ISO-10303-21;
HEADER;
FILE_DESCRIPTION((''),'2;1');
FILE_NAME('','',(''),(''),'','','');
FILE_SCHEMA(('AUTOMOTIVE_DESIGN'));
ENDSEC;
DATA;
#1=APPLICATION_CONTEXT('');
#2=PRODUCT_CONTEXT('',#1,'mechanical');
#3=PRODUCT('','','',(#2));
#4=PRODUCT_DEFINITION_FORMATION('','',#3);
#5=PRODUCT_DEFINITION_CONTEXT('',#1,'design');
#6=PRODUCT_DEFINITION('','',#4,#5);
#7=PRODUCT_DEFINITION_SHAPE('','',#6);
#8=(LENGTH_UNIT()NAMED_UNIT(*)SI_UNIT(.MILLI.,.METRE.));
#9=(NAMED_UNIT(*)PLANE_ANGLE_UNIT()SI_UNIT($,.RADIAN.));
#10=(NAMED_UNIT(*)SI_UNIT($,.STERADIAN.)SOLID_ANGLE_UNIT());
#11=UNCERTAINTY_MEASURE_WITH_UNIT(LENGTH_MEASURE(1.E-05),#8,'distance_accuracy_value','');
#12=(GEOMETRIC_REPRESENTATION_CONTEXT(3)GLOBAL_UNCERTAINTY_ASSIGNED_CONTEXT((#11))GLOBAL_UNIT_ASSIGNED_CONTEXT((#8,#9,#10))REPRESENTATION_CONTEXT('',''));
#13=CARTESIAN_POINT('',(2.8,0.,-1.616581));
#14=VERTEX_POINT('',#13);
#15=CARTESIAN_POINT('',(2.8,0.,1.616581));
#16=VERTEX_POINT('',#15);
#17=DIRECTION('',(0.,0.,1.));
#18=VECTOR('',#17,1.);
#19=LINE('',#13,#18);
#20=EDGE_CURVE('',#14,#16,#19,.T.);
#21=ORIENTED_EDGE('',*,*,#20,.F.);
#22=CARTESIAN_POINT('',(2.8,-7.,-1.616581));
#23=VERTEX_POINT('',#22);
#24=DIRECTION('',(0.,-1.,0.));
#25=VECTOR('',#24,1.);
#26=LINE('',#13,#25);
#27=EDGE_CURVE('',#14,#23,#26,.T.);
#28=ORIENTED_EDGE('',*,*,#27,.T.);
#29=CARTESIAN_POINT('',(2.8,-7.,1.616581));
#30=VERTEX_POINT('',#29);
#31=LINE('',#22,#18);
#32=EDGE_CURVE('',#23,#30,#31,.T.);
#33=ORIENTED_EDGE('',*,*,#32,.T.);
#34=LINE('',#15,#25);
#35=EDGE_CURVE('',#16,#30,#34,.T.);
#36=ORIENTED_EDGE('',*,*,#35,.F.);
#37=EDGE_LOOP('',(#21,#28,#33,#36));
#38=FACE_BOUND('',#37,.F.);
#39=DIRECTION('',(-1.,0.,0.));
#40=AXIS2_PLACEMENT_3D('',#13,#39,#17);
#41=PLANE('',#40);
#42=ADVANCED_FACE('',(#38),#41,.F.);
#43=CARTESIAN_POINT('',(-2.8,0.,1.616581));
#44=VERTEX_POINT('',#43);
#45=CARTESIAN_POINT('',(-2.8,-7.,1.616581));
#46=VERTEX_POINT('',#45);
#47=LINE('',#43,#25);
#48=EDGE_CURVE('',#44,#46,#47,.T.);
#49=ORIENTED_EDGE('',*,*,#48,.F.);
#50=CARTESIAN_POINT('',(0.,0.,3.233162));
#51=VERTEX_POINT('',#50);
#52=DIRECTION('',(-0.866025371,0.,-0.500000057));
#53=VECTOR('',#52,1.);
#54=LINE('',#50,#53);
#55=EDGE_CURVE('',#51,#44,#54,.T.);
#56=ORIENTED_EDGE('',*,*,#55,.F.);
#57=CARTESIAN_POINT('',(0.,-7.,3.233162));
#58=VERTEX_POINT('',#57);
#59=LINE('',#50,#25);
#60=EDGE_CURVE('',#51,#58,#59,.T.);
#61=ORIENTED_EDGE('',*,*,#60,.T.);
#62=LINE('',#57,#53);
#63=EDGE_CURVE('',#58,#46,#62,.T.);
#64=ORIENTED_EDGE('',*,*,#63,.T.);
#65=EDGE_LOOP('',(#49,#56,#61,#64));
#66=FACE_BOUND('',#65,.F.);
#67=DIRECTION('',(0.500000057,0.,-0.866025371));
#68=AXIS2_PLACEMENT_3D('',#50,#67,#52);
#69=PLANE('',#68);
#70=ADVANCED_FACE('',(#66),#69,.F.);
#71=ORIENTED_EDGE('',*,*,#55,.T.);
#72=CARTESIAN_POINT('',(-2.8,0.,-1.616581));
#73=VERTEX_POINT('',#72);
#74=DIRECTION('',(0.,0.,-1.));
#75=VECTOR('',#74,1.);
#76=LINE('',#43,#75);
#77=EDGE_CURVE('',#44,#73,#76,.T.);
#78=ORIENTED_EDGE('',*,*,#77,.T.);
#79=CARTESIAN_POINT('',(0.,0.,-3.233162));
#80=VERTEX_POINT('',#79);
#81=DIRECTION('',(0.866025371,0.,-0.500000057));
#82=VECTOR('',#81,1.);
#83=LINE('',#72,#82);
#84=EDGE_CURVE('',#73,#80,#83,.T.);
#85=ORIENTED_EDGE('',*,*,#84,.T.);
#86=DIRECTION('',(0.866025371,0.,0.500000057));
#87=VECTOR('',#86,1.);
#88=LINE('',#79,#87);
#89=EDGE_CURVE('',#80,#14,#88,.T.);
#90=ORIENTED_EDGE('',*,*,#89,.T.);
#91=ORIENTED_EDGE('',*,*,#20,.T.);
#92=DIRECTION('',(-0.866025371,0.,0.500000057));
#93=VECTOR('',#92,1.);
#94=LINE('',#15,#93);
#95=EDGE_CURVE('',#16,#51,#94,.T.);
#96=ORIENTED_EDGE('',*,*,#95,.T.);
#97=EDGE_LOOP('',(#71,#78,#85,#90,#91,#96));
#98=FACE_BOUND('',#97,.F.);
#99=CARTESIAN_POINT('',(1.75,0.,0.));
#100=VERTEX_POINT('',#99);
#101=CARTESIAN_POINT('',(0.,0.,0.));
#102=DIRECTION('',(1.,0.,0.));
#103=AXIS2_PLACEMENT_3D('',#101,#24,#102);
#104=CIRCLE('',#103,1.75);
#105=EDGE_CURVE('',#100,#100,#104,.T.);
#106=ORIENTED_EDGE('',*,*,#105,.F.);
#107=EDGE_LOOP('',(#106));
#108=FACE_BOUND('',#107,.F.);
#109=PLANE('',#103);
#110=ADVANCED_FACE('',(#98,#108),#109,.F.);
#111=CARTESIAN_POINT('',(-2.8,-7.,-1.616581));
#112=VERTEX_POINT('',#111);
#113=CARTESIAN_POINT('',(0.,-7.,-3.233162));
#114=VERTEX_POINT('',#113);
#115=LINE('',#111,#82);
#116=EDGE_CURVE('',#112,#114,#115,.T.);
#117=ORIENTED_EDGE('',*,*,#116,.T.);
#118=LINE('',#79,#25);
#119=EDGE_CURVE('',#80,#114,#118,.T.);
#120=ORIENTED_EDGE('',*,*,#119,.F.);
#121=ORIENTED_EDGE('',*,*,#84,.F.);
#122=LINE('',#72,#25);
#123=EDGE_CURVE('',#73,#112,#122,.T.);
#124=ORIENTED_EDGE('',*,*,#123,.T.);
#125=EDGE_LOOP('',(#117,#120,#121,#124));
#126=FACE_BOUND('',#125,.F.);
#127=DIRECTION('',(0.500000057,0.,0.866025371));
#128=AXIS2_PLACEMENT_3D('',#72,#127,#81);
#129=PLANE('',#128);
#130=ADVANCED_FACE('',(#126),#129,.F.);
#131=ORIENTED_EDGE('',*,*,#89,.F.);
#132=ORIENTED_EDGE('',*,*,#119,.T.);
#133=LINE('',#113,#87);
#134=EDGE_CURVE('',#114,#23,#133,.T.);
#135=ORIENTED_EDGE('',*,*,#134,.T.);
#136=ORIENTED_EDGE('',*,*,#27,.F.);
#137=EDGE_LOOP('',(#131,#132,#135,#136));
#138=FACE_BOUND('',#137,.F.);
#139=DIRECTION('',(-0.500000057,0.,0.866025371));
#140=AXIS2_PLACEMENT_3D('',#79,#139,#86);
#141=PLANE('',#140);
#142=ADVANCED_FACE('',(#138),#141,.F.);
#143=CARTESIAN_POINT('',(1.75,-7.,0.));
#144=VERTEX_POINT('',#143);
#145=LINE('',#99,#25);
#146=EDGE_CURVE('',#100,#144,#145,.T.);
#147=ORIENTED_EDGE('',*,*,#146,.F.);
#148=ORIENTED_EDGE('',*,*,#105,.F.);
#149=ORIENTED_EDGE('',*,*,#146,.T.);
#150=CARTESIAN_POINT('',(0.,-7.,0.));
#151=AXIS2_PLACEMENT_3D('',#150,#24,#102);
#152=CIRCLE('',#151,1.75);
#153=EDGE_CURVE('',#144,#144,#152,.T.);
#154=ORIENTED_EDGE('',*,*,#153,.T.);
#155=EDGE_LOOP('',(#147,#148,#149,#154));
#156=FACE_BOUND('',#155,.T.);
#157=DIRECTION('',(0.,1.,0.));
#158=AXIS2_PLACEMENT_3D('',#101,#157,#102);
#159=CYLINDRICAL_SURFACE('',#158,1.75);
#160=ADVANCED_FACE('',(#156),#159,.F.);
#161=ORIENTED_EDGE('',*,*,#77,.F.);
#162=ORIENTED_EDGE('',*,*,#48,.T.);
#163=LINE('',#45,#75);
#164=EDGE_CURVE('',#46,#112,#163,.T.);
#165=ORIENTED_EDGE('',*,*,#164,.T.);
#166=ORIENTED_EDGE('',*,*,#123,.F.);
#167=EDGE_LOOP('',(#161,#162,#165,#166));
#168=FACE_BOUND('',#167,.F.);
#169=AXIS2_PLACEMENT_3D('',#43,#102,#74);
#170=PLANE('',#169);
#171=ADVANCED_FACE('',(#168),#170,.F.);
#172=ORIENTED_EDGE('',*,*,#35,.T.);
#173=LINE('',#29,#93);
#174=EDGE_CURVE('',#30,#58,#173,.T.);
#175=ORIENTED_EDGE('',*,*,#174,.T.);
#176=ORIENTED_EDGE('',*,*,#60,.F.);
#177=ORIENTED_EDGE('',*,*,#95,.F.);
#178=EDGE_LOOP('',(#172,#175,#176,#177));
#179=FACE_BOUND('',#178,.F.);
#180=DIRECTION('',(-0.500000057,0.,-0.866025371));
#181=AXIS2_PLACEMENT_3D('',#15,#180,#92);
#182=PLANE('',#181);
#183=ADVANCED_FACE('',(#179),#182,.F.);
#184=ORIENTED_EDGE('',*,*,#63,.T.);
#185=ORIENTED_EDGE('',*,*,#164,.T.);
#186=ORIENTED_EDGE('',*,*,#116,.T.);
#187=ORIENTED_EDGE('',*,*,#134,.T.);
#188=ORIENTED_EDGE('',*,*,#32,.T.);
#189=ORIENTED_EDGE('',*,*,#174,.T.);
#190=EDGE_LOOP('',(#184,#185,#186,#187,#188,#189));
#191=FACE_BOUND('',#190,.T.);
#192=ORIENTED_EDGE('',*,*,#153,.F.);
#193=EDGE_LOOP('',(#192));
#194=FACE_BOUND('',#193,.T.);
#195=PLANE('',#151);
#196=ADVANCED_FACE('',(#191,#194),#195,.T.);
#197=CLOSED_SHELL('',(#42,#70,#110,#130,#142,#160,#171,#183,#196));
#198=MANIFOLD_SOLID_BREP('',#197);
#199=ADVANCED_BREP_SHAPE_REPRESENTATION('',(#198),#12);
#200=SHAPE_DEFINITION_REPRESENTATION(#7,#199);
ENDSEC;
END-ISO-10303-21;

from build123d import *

# Parameters (mm, degrees)
SKETCH_R  = 1.75
PAD_DEPTH = 7


with BuildPart() as part:
    # Sketch → Pad (new body)
    with BuildSketch(Plane.XZ):
        Polygon((2.8, 1.616581), (0, 3.233162), (-2.8, 1.616581), (-2.8, -1.616581), (0, -3.233162), (2.8, -1.616581), align=None)
        Circle(SKETCH_R, mode=Mode.SUBTRACT)
    extrude(amount=PAD_DEPTH)


solid = part.part
